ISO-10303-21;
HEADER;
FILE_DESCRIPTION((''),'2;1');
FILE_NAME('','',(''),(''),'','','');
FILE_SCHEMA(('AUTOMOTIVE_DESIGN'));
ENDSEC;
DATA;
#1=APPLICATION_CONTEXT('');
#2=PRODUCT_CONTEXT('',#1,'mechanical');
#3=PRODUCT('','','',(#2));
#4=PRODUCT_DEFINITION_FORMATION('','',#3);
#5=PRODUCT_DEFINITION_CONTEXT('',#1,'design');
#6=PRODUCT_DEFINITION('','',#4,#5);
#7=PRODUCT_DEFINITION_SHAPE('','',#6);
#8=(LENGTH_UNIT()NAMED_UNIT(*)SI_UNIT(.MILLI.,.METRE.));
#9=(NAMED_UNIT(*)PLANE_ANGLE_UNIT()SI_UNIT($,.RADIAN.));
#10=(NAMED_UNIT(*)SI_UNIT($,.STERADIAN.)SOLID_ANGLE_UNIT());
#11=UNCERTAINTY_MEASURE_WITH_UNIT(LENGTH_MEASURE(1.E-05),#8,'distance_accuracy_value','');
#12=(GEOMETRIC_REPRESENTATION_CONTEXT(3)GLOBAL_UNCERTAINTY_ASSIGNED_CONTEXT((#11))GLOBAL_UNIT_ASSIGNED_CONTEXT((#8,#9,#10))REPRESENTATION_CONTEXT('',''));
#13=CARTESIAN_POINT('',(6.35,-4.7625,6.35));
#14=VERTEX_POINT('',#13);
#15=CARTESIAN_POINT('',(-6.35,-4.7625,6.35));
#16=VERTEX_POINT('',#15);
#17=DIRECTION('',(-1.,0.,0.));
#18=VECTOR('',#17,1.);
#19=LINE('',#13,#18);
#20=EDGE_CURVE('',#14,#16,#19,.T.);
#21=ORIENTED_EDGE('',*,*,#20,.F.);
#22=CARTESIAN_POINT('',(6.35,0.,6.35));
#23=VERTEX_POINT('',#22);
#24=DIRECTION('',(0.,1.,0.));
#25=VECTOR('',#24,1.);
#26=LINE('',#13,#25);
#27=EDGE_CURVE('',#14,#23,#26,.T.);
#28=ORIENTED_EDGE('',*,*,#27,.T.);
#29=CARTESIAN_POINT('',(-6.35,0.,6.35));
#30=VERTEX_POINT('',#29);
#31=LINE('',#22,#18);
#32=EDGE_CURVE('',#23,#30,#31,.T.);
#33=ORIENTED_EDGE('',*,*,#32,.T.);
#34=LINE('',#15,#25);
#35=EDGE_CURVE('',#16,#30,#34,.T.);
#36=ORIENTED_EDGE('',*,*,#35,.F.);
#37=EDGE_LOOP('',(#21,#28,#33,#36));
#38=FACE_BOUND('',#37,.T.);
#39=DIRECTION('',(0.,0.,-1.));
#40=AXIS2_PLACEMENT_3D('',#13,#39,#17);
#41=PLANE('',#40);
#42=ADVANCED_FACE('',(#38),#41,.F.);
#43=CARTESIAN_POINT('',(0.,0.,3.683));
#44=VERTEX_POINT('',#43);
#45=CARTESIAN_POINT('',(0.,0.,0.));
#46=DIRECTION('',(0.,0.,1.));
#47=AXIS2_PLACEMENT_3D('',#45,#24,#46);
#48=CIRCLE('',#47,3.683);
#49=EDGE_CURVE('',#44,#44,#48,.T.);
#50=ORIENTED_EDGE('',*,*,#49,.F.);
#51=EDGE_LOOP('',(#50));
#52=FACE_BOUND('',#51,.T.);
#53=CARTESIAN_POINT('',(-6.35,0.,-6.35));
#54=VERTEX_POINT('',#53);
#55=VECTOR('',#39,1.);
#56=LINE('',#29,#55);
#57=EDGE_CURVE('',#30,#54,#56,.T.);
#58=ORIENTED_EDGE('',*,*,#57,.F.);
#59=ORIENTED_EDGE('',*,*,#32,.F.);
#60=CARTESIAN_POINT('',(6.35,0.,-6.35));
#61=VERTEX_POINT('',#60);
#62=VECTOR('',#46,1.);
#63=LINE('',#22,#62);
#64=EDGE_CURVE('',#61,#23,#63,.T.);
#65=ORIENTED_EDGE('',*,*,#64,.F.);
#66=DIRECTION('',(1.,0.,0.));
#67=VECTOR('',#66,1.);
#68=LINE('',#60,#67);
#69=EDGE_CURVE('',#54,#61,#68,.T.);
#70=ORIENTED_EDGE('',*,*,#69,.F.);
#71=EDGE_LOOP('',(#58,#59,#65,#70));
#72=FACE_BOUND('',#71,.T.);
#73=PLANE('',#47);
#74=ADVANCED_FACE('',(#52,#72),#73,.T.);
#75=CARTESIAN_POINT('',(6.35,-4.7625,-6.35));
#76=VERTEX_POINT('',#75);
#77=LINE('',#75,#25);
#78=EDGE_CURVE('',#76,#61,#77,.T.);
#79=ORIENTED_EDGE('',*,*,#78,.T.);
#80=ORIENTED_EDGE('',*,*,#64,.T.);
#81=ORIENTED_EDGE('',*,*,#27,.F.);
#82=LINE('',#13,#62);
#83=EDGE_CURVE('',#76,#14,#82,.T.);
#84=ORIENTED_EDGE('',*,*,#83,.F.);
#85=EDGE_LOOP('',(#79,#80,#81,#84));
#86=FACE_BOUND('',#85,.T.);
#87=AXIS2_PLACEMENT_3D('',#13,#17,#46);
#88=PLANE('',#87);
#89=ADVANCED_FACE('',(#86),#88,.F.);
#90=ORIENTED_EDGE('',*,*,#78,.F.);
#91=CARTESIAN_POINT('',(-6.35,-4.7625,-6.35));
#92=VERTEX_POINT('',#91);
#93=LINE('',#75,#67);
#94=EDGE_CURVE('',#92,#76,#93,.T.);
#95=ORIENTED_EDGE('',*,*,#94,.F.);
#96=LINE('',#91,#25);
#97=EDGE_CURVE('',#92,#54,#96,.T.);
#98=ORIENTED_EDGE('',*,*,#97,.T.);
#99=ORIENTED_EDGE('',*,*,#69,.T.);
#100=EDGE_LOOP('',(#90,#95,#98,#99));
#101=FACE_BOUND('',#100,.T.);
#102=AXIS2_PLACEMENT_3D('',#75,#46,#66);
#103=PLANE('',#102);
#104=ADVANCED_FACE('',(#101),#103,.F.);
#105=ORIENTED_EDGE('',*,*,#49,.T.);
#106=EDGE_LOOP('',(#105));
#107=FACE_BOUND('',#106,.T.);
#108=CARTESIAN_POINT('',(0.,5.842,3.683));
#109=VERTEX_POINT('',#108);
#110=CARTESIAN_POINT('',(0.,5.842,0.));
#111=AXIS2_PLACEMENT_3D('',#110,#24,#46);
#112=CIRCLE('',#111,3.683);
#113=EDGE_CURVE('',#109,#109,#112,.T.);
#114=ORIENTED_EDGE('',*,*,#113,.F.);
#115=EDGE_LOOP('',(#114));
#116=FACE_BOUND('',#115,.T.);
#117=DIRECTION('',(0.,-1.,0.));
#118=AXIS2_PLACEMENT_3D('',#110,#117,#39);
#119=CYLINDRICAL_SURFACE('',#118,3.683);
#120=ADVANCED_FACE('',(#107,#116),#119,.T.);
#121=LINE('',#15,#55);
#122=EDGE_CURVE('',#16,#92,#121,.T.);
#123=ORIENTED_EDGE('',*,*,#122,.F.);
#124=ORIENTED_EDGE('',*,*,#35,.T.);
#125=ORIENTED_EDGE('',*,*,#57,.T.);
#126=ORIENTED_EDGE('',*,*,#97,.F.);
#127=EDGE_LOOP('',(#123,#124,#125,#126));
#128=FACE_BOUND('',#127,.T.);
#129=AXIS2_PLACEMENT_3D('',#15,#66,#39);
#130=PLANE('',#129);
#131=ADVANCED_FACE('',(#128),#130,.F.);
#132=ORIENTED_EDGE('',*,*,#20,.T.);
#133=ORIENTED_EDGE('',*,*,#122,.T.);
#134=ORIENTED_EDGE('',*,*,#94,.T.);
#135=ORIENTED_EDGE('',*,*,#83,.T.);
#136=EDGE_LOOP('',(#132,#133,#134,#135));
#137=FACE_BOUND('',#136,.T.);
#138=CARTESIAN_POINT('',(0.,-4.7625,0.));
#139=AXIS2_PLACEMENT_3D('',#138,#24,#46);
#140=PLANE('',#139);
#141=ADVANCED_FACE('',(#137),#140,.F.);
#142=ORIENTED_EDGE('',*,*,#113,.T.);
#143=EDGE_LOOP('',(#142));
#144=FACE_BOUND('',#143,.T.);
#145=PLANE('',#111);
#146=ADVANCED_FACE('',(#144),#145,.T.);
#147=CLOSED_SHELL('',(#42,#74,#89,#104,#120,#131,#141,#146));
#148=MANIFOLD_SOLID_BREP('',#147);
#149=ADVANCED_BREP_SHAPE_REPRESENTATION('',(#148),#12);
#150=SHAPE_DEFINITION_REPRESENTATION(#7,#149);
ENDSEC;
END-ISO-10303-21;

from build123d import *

# Parameters (mm, degrees)
SKETCH1_R           = 3.683
BOSS_EXTRUDE1_DEPTH = 5.842
SKETCH2_W           = 12.7
SKETCH2_H           = 12.7
BOSS_EXTRUDE2_DEPTH = 4.7625


with BuildPart() as part:
    # Sketch1 → Boss-Extrude1 (new body)
    with BuildSketch(Plane(origin=(0, 0, 0), x_dir=(1, 0, 0), z_dir=(0, 1, 0))):
        with Locations(Location((0, 0, 0), (0, 0, 270))):
            Circle(SKETCH1_R)
    extrude(amount=BOSS_EXTRUDE1_DEPTH)

    # Sketch2 → Boss-Extrude2 (add)
    with BuildSketch(Plane.XZ):
        Rectangle(SKETCH2_W, SKETCH2_H)
    extrude(amount=BOSS_EXTRUDE2_DEPTH)


solid = part.part
